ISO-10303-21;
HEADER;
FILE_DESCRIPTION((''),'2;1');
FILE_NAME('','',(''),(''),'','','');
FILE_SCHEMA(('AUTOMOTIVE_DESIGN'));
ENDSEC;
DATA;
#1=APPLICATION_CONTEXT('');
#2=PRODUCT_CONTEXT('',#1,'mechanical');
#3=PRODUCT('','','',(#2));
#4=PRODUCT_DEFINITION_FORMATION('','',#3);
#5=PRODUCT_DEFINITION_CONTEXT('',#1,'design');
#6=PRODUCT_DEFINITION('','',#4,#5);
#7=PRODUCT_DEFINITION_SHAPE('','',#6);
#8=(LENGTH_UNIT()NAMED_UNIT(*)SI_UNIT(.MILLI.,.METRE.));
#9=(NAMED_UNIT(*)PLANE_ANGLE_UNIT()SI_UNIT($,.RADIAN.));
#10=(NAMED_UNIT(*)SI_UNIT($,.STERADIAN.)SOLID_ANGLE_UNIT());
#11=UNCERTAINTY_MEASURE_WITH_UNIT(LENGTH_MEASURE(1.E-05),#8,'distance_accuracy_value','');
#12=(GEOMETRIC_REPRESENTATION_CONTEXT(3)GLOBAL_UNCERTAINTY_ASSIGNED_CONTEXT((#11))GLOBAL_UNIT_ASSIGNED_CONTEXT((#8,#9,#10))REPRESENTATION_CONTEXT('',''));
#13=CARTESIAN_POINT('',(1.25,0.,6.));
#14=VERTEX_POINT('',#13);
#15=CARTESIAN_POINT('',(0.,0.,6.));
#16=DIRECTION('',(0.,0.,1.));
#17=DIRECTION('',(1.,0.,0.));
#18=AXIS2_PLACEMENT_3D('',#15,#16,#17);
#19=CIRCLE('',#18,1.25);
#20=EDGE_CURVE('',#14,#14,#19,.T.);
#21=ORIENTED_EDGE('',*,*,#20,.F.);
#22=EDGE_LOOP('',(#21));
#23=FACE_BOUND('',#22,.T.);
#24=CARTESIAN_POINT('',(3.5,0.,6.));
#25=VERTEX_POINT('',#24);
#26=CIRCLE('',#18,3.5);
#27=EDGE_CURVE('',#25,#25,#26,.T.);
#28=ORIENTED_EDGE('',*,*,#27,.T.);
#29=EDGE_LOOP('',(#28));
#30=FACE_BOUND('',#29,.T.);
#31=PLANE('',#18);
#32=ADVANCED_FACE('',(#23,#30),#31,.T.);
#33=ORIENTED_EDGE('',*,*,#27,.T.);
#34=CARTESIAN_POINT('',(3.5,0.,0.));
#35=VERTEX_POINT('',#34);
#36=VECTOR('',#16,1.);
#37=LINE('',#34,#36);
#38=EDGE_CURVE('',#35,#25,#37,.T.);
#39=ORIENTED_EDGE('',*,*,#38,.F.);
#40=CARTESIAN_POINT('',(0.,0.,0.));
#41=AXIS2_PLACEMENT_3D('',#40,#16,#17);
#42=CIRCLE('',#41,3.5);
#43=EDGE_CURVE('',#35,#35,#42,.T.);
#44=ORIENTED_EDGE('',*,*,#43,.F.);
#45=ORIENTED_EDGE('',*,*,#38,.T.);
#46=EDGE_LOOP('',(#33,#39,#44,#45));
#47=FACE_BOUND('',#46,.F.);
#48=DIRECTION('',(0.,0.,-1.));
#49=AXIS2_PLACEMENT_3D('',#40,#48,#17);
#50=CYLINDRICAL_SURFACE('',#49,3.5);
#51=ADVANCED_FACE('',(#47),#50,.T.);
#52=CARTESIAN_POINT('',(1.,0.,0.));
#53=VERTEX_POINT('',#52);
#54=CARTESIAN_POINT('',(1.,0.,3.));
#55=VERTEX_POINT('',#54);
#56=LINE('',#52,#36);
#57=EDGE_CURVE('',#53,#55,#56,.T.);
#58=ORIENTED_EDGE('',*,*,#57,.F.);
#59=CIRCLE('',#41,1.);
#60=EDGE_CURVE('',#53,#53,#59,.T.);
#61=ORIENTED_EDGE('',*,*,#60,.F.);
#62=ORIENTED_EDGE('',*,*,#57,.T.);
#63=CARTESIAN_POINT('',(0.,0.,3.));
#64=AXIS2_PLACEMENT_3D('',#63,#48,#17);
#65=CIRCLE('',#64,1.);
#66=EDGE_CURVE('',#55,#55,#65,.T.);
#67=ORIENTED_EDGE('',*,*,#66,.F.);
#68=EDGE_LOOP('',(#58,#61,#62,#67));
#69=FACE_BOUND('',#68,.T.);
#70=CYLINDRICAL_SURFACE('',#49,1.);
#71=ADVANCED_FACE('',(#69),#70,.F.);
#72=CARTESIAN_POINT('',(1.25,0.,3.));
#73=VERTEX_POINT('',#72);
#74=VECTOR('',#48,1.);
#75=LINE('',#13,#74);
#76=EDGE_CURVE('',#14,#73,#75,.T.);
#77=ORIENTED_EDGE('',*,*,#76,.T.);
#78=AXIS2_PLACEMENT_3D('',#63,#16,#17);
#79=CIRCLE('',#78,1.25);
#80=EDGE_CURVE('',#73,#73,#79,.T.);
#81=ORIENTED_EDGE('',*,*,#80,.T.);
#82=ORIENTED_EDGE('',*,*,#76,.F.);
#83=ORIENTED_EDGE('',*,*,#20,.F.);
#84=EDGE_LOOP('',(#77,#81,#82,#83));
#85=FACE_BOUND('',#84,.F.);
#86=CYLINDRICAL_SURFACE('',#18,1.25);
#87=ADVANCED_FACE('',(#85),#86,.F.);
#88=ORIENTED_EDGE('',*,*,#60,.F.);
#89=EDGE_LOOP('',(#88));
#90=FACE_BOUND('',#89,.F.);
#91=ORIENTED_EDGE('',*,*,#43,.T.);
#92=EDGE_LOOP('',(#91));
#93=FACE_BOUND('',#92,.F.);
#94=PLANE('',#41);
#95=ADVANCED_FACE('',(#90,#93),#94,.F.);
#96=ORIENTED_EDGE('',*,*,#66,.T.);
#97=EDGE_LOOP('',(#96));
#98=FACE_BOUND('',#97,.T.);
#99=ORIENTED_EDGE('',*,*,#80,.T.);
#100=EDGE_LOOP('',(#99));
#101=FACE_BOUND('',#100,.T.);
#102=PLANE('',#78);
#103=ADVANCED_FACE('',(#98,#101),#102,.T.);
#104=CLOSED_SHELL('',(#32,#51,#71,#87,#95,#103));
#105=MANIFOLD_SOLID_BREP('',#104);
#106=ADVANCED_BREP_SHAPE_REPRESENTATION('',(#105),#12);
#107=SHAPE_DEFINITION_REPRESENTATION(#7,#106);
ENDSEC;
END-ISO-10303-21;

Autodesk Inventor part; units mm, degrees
ref_plane "YZ Plane" through (0, 0, 0) normal (1, 0, 0) x (0, 1, 0)
ref_plane "XZ Plane" through (0, 0, 0) normal (0, 1, 0) x (-1, 0, 0)
ref_plane "XY Plane" through (0, 0, 0) normal (0, 0, 1) x (1, 0, 0)
sketch "Sketch1" plane through (0, 0, 0) normal (0, 0, 1) x (1, 0, 0)
  circle A0 centre (0, 0) radius 3.5
  circle A1 centre (0, 0) radius 1
  dimension "d0" = 7
  dimension "d1" = 2
extrude "Extrusion1" add sketch "Sketch1" along normal blind 6
sketch "Sketch2" plane through (0, 0, 6) normal (0, 0, 1) x (1, 0, 0)
  circle A0 centre (0, 0) radius 1.25
  dimension "d4" = 2.5
extrude "Extrusion2" cut sketch "Sketch2" against normal blind 3
thread "Thread1" size "M3x0.5" class "6H" standard "ANSI Metric M Profile" full length
thread "Thread2" size "M2.5x0.45" class "6H" standard "ANSI Metric M Profile" full length
properties part number "AxisJoinerThreaded"
